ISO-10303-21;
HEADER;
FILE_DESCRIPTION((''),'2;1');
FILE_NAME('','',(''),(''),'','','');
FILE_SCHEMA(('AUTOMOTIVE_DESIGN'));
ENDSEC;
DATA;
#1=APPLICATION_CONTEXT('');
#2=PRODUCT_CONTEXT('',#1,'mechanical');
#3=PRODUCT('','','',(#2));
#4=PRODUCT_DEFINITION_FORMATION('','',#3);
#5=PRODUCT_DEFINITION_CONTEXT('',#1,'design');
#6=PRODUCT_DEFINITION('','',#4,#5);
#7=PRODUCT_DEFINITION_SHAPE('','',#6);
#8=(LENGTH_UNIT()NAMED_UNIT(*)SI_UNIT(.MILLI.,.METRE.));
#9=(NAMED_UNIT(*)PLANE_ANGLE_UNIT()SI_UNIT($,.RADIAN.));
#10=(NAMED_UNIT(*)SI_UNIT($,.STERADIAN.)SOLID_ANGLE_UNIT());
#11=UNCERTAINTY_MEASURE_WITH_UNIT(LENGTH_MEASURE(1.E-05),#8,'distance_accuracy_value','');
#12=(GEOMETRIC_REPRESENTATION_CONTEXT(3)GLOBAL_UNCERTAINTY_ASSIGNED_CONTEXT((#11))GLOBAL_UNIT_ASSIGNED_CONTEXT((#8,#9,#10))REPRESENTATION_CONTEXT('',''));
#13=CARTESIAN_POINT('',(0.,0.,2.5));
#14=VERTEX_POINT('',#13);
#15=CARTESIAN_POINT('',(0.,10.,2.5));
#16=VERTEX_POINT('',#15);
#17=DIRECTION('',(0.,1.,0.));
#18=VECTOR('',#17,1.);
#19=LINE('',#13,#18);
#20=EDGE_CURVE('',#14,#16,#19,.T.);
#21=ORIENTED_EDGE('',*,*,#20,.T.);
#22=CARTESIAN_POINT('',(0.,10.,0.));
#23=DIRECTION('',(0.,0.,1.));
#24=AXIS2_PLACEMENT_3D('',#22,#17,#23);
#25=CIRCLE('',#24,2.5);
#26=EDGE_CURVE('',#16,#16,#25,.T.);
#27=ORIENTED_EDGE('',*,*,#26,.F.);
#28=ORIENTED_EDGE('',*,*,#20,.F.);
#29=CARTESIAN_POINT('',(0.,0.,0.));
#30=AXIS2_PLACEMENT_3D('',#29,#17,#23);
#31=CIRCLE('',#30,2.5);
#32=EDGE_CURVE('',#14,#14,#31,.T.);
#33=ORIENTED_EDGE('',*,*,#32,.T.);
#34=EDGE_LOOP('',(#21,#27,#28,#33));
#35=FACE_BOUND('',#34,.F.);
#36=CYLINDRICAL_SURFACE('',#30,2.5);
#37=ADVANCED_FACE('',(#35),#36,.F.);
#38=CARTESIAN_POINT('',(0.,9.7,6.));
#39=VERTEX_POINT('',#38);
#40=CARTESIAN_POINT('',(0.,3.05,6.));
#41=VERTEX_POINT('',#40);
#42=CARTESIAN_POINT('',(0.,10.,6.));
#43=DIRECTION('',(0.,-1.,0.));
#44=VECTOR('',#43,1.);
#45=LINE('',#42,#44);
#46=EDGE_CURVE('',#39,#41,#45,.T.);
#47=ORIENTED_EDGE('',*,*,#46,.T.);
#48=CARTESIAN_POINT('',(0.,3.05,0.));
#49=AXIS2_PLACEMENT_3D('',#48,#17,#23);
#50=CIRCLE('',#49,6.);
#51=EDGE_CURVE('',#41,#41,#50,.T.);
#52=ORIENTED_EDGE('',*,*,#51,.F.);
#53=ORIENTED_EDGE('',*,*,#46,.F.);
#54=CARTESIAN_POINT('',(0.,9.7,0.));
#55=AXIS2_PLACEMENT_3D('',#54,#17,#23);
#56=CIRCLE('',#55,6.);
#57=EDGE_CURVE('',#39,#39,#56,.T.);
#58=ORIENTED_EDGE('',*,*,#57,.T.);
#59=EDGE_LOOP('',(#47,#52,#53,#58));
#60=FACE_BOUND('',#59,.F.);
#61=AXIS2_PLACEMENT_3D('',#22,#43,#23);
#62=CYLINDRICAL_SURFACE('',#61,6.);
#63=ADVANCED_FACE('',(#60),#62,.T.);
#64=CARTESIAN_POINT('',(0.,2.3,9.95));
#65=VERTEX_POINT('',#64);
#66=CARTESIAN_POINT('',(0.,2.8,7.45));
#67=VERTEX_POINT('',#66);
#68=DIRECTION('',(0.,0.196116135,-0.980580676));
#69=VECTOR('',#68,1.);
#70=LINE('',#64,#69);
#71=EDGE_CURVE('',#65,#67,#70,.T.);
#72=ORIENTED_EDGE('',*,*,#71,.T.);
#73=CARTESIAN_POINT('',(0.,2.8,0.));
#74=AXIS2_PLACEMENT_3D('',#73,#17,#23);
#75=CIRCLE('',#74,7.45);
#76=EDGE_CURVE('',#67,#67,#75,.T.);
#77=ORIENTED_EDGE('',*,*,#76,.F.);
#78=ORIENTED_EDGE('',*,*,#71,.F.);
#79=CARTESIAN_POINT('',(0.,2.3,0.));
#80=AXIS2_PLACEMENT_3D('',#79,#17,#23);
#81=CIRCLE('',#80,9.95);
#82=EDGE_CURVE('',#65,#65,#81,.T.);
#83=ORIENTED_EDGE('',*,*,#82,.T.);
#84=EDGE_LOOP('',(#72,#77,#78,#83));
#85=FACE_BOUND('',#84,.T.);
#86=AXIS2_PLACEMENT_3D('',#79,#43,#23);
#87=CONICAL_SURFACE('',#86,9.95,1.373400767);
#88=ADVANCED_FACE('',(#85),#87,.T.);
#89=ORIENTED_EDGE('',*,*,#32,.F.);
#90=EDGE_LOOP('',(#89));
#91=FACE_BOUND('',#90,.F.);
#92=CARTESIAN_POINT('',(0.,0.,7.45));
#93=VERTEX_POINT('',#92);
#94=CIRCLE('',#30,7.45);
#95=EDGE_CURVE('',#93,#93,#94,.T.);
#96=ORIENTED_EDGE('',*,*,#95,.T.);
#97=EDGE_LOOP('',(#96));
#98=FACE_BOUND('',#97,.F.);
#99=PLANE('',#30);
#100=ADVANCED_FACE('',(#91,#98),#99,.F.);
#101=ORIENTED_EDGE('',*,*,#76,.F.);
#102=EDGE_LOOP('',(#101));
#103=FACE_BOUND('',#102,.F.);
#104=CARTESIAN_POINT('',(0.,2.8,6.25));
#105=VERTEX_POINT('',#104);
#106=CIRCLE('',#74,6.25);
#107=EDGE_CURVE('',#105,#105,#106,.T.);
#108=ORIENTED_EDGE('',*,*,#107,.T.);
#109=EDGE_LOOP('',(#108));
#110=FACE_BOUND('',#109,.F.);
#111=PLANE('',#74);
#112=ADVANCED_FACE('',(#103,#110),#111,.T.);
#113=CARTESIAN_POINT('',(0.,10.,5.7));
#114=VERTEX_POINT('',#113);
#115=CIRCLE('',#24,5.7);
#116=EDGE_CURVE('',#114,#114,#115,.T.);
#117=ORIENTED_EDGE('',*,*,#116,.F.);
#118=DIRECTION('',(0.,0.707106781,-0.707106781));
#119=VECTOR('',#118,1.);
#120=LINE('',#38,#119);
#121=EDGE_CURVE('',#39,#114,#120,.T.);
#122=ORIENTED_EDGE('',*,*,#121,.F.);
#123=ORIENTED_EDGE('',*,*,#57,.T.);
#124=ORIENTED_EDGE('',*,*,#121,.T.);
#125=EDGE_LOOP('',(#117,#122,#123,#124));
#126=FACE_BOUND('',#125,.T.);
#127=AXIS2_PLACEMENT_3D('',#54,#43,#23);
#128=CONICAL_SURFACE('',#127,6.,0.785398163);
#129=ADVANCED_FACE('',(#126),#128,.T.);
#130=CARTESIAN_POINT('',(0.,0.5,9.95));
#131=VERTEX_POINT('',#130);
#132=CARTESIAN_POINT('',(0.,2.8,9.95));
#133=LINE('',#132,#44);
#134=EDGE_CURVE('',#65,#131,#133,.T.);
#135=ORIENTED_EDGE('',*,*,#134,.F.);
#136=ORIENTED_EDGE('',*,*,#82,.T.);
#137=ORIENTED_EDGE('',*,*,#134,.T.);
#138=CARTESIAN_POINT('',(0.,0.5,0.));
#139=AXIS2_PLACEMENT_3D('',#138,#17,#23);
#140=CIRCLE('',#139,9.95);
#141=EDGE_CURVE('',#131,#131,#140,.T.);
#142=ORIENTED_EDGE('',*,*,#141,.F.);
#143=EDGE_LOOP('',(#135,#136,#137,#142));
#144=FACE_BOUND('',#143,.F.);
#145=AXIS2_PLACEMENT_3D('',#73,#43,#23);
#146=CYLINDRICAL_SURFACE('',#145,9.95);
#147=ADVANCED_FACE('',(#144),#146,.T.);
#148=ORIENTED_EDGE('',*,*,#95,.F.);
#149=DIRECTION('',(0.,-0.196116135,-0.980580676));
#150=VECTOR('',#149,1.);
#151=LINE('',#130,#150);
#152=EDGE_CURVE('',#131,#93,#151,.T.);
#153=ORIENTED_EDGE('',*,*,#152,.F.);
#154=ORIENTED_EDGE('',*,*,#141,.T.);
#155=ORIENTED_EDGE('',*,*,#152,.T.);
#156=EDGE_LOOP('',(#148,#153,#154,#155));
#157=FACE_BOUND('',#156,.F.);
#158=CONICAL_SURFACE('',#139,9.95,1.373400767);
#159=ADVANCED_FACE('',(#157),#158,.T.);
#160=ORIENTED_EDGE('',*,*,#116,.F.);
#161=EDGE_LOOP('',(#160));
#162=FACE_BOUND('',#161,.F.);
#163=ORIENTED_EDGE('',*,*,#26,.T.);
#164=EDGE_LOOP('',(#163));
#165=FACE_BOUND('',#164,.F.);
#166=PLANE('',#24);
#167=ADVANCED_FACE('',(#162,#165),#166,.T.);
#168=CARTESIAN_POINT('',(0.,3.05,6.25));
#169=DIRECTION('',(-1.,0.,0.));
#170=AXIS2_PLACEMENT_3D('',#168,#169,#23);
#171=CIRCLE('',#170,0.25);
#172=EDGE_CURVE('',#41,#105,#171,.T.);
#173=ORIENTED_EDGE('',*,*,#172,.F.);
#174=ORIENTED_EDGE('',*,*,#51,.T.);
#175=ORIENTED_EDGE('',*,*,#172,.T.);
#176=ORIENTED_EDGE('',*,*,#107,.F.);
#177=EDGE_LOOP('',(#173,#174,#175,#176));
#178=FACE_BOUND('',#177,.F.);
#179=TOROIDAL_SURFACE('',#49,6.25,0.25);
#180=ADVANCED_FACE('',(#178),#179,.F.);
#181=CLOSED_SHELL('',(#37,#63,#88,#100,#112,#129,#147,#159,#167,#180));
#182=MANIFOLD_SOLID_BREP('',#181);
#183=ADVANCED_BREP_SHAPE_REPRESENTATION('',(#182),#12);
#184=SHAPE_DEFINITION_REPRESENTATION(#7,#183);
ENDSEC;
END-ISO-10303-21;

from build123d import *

# Parameters (mm, degrees)
F2_R     = 0.25
F3_SIZE  = 0.3
F4_SIZE2 = 2.5
F4_SIZE  = 0.5


with BuildPart() as f1:
    # F0 (on Right) → F1 (revolve)
    with BuildSketch(Plane.YZ):
        Polygon((0, 9.95), (0, 2.5), (10, 2.5), (10, 6), (2.8, 6), (2.8, 9.95), align=None)
    revolve(axis=Axis((0, 5.3417352028, 0), (0, 1, 0)))

    # F2
    f2_edges = [f1.edges().sort_by_distance(p)[0] for p in [
        (0, 2.8, -6),
    ]]
    fillet(f2_edges, radius=F2_R)

    # F3
    f3_edges = [f1.edges().sort_by_distance(p)[0] for p in [
        (0, 10, -6),
    ]]
    chamfer(f3_edges, length=F3_SIZE)

    # F4
    f4_edges = [f1.edges().sort_by_distance(p)[0] for p in [
        (0, 0, -9.95),
        (0, 2.8, -9.95),
    ]]
    f4_side = f1.faces().sort_by_distance((0, 1.4, -9.95))[0]
    chamfer(f4_edges, length=F4_SIZE, length2=F4_SIZE2, reference=f4_side)


solid = f1.part
